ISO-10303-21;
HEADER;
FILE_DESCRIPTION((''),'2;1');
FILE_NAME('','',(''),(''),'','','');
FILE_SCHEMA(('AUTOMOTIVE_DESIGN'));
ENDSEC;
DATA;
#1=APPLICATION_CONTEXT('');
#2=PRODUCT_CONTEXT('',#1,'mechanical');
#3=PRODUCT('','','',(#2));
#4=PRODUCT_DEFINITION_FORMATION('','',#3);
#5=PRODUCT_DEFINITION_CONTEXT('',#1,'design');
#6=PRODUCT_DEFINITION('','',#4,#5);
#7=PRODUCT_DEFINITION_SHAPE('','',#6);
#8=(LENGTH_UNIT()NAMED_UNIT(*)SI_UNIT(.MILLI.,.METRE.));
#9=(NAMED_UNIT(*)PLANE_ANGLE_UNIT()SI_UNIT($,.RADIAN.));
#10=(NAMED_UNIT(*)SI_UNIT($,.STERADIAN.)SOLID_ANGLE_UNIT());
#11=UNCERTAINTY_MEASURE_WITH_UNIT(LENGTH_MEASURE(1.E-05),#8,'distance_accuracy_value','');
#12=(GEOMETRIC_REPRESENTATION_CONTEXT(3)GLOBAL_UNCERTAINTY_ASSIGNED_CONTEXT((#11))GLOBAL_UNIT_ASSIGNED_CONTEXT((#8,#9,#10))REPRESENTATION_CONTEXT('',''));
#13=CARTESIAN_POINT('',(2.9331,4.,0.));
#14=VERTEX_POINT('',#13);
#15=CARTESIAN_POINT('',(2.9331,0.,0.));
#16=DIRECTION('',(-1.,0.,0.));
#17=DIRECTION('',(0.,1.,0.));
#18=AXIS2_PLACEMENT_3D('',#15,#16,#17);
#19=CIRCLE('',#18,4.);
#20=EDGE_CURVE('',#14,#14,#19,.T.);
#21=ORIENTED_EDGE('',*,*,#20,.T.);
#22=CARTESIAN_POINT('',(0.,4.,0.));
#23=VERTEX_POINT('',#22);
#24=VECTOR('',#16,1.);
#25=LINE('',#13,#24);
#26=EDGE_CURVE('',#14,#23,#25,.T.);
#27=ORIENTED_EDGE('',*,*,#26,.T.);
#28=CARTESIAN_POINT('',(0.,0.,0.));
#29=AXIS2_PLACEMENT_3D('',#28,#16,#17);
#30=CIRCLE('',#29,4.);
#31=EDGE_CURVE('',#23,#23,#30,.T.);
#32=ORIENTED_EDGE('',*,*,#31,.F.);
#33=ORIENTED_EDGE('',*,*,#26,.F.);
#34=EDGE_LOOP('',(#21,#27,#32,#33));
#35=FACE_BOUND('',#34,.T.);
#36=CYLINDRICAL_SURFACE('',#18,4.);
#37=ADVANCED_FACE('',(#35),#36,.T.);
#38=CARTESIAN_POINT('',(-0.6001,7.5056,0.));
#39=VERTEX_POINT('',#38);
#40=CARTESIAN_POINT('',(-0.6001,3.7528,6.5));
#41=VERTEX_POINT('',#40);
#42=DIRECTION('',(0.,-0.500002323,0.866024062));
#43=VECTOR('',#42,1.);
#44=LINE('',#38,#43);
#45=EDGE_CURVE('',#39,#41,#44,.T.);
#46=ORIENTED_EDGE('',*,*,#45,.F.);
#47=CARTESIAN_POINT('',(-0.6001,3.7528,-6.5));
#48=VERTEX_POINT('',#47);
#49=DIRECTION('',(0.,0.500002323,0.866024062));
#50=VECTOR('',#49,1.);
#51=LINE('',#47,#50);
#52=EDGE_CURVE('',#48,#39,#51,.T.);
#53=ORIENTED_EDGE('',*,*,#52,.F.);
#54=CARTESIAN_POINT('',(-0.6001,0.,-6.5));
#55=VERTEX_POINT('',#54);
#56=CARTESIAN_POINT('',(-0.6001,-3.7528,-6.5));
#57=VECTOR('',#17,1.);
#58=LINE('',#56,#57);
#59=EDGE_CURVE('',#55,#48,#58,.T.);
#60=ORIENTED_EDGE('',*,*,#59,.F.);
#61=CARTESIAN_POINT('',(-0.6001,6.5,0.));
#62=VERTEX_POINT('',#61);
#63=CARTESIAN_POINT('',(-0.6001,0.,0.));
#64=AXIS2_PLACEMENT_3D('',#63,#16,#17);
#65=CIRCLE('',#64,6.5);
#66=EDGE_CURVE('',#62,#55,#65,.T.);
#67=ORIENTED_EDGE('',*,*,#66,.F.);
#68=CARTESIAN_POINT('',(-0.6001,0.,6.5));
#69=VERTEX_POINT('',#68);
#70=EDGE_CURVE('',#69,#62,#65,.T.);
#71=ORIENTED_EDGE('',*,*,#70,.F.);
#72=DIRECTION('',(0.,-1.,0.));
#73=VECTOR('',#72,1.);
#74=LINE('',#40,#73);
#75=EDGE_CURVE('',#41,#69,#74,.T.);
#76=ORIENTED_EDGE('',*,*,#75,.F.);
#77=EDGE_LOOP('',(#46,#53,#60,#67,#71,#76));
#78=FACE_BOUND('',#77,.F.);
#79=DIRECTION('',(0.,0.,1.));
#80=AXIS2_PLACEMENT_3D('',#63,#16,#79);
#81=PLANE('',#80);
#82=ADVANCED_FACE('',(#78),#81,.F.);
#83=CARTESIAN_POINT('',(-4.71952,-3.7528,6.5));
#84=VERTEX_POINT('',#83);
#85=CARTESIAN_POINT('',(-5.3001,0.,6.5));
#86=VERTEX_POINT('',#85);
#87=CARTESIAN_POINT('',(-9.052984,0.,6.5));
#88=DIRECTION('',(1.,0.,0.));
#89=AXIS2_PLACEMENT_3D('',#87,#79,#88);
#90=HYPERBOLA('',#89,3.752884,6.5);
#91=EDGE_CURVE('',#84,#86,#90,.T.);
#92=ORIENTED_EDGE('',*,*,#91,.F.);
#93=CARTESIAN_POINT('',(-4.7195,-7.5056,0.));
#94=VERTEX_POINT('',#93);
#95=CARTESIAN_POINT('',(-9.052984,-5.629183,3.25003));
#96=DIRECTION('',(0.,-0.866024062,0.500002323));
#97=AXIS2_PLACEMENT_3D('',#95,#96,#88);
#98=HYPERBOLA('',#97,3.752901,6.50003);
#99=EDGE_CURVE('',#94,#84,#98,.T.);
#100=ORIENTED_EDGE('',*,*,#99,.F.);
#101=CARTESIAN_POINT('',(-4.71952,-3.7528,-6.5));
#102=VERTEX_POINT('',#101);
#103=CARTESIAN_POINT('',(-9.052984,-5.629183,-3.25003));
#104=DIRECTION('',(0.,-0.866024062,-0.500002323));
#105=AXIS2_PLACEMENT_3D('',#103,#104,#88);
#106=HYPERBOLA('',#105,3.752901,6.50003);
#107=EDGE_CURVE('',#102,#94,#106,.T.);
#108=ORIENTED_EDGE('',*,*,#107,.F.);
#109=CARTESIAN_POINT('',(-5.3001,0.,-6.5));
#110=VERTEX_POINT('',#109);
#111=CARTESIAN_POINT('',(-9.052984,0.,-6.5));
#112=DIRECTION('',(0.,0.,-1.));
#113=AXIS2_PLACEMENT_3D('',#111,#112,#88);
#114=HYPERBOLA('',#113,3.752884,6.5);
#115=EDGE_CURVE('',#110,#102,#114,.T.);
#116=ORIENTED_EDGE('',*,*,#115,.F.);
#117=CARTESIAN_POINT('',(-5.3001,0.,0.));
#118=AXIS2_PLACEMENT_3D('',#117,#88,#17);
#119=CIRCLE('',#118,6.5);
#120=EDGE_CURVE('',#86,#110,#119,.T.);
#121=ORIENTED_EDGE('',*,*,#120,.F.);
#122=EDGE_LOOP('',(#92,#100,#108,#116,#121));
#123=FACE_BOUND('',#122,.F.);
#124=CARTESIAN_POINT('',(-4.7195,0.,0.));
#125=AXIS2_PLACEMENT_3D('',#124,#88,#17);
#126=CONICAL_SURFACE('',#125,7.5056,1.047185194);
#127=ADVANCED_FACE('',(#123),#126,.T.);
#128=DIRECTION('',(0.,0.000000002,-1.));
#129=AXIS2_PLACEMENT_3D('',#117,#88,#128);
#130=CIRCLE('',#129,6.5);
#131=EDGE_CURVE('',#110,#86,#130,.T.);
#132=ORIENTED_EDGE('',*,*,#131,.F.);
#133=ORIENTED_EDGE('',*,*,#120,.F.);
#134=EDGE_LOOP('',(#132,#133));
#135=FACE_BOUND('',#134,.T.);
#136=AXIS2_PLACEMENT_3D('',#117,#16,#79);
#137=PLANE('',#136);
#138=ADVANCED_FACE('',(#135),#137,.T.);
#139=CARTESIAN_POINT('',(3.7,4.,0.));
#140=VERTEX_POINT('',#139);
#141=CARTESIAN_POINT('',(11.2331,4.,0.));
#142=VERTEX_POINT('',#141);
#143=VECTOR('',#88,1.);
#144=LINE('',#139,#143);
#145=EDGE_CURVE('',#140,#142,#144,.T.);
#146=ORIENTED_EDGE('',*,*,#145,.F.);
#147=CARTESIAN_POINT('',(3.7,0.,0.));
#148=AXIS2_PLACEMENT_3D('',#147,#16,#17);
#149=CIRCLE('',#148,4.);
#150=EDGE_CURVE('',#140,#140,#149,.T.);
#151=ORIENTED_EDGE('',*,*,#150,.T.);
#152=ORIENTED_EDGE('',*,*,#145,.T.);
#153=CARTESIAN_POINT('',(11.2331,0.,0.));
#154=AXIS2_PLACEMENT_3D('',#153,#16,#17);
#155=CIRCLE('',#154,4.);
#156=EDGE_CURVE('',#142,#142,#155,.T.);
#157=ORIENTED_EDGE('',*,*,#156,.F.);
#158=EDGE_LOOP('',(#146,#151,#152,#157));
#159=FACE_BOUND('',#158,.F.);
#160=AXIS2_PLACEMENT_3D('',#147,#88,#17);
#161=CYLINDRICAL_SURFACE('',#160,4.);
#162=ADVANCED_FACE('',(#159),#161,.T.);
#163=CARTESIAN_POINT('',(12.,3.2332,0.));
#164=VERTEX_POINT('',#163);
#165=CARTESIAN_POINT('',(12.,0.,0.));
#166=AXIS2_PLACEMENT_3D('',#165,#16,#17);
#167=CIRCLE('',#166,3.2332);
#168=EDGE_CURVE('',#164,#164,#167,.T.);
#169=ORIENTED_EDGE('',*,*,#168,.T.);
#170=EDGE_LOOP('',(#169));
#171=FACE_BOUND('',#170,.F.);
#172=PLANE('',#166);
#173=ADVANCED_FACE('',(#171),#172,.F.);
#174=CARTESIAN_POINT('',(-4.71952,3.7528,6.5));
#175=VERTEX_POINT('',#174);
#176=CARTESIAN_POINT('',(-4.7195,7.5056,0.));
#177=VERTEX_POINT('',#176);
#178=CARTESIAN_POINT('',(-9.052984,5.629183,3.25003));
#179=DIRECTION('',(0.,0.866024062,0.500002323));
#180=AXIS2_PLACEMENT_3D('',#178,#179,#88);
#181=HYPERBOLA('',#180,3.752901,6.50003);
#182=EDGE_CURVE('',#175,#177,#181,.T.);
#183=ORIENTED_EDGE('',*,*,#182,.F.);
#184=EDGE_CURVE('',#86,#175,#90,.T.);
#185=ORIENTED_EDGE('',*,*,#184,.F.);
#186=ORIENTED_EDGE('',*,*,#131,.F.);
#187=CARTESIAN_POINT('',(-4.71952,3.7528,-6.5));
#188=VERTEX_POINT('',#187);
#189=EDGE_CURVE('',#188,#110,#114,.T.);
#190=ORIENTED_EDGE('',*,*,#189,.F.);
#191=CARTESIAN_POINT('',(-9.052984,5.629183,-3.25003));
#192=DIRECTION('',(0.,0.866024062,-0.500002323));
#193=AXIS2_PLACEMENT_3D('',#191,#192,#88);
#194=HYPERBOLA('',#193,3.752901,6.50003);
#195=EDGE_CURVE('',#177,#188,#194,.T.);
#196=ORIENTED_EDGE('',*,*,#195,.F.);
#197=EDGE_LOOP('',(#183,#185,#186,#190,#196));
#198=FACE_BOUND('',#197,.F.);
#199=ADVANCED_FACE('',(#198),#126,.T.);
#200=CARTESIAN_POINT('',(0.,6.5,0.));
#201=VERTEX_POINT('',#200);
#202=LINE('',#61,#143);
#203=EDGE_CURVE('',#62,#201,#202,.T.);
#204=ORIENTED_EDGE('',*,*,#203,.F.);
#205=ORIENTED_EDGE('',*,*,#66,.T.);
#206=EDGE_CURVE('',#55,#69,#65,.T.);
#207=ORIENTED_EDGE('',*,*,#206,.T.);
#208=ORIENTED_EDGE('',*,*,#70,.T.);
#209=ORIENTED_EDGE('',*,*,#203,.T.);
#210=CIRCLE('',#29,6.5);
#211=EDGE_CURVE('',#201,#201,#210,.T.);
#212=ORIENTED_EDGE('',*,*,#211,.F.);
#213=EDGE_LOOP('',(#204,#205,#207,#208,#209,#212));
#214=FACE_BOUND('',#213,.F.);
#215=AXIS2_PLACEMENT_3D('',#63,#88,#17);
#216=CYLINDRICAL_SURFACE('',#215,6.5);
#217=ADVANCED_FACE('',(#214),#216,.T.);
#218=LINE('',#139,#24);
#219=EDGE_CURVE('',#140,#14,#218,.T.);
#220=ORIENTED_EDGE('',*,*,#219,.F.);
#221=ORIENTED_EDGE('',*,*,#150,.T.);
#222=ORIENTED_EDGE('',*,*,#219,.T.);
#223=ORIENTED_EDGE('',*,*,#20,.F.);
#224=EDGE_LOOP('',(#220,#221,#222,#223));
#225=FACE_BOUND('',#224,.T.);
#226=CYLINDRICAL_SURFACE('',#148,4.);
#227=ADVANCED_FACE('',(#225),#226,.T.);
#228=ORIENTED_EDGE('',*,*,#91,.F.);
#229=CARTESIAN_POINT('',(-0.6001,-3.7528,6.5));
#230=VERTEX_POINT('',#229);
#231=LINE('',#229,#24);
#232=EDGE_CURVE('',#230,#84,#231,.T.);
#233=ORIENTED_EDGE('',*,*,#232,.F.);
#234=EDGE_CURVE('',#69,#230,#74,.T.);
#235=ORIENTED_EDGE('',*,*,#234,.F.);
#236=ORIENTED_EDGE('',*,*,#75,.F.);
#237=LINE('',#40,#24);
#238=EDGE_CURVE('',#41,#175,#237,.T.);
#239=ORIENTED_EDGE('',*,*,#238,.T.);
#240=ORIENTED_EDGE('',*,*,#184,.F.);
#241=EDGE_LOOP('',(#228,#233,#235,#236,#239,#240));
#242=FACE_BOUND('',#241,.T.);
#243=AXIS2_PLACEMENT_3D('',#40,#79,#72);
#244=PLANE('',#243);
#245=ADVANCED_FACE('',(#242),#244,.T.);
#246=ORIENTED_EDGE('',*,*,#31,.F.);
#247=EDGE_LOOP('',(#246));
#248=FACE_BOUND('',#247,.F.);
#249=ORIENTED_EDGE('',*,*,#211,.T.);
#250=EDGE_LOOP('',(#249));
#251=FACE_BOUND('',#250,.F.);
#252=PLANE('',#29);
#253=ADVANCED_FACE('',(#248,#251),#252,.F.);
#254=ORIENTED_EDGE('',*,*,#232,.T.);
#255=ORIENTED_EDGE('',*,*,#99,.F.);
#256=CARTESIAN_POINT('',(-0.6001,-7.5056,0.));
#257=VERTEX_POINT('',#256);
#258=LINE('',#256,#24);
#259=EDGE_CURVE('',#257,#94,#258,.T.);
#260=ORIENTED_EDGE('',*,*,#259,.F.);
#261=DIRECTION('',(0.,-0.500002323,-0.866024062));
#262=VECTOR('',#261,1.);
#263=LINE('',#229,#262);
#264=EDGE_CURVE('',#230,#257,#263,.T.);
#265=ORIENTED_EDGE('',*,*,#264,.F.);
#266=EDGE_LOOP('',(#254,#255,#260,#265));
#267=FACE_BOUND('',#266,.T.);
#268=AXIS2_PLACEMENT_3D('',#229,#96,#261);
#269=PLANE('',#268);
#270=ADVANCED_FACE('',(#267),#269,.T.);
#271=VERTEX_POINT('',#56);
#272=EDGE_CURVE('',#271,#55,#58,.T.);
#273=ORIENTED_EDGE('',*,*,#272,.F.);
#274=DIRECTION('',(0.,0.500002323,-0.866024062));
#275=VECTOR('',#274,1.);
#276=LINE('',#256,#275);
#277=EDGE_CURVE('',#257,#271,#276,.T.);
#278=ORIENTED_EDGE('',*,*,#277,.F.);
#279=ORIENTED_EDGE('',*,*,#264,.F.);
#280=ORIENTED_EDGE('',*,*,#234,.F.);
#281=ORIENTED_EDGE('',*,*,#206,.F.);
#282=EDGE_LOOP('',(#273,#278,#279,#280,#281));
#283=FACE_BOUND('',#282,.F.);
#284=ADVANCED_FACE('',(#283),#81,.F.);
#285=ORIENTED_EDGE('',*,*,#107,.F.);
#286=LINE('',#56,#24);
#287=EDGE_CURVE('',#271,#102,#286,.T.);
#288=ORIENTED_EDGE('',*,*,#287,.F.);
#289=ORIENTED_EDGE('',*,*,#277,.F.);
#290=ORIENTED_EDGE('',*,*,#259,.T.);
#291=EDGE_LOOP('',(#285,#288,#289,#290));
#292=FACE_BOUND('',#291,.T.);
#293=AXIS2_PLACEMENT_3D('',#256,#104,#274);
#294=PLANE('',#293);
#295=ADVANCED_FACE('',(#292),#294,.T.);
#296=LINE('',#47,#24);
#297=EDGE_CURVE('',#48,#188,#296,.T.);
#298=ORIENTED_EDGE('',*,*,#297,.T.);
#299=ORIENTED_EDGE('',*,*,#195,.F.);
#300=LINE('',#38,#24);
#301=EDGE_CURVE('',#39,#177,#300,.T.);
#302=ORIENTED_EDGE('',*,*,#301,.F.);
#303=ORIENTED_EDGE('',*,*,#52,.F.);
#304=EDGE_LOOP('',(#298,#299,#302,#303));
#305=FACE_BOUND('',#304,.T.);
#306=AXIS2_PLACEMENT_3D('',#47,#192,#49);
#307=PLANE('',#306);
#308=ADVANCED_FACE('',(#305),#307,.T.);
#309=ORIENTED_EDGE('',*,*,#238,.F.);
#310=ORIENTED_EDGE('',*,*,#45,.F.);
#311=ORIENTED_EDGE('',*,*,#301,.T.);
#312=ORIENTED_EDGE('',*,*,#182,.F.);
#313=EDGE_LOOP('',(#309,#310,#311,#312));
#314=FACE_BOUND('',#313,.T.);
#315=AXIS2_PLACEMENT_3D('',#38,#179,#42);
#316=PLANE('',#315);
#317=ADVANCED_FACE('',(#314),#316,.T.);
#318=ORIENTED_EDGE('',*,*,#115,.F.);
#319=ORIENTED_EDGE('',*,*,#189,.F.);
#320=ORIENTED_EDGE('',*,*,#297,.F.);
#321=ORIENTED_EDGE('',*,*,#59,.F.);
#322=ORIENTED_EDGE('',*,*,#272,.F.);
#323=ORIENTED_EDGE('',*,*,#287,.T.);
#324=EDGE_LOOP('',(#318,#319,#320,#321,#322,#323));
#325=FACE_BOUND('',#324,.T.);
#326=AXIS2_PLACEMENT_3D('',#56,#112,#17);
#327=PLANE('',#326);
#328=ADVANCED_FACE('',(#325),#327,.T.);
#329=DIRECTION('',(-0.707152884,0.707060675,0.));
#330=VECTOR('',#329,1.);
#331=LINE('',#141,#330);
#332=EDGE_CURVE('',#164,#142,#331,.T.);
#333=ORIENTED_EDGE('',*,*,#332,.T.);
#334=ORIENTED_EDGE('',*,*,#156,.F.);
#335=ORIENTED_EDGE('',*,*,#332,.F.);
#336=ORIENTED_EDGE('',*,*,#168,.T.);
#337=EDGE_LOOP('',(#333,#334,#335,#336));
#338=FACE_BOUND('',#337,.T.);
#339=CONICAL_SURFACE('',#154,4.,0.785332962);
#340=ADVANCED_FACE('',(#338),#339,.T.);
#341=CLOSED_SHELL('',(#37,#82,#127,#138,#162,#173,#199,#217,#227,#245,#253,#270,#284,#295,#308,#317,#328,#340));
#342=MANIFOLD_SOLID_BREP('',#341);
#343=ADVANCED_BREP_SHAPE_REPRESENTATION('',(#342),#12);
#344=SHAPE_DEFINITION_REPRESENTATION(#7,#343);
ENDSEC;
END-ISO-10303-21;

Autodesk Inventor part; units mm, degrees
ref_plane "YZ Plane" through (0, 0, 0) normal (1, 0, 0) x (0, 1, 0)
ref_plane "XZ Plane" through (0, 0, 0) normal (0, 1, 0) x (-1, 0, 0)
sketch "Sketch1" plane through (0, 0, 0) normal (0, 0, 1) x (1, 0, 0)
  line L0 (0, 6.5) -> (0, 4)
  line L1 (3.7, 4) -> (12, 4)
  line L2 (12, 4) -> (12, 0)
  line L3 (12, 0) -> (-0.6001, 0)
  line L4 (-3.1201, 0) -> (14.52, 0) projected
  line L5 (-0.6001, 0) -> (-0.6001, 6.5)
  line L6 (-0.6001, 6.5) -> (0, 6.5)
  line L7 (3.7, 4) -> (2.9331, 4)
  line L8 (2.9331, 4) -> (0, 4)
  line L9 (0, -1.3) -> (0, 7.8) projected
  dimension "d0" = 12
  dimension "d1" = 8.3
  dimension "d2" = 8
  dimension "d9" = 0.6001
  dimension "d10" = 13
  dimension "d13" = 0.7669
  dimension "d14" = 8
revolve "Body" add sketch "Sketch1" angle 360 about axis through (12, 0, 0) along (-1, 0, 0)
sketch "Sketch2" plane through (-0.6001, 0, 0) normal (-1, 0, 0) x (0, 0, 1)
  line L0 (0, 7.5056) -> (6.5, 3.7528)
  line L1 (6.5, 3.7528) -> (6.5, -3.7528)
  line L2 (6.5, -3.7528) -> (0, -7.5056)
  line L3 (0, -7.5056) -> (-6.5, -3.7528)
  line L4 (-6.5, -3.7528) -> (-6.5, 3.7528)
  line L5 (-6.5, 3.7528) -> (0, 7.5056)
  point P0 (0, 0)
  point P1 (0, 0)
  dimension "d11" = 13
extrude "Head" add sketch "Sketch2" along normal blind 4.7
sketch "Sketch4" plane through (0, 0, 0) normal (0, 0, 1) x (1, 0, 0)
  line L0 (-5.3001, 6.5) -> (-5.3001, 7.5056)
  line L1 (-5.3001, 7.5056) -> (-4.7195, 7.5056)
  line L2 (-4.7195, 7.5056) -> (-5.3001, 6.5)
  line L3 (-6.2401, 0) -> (0.3399, 0) projected
  line L4 (-0.6001, 7.5056) -> (-5.3001, 7.5056) projected
  line L5 (-5.3001, 3.7528) -> (-5.3001, 7.5056) projected
  dimension "d5" = 30
  dimension "d19" = 13
revolve "Chamfer1" cut sketch "Sketch4" angle 360 about axis through (-10, 0, 0) along (1, 0, 0)
thread "Thread" size "M8x1.25" class "6g" standard "ISO Metric profile" length 8.3
chamfer "Chamfer2" distance 0.7668 distance2 0.7669 1 edges at (12, -4, 0) measured on face at (12, -0.0467, -2.2623)
ref_plane "Work Plane1" through (1.525, 0, 0) normal (0, 0, 1) x (1, 0, 0)
equation "\"d0\" = NLG"
equation "\"d1\" = GEL"
equation "\"d2\" = GD"
equation "\"d10\" = SD2"
equation "\"d14\" = BDM"
equation "\"d11\" = SW"
equation "\"d3\" = KOH - SD"
equation "\"d5\" = ANG1"
equation "\"d19\" = SW0"
equation "\"d15\" = GEL"
equation "\"d6\" = -0.5 * SPD + 0.5 * GD"
equation "\"NLG\" = 12"
equation "\"GD\" = NND"
equation "\"BDM\" = NND"
equation "\"KOH\" = 5.3"
equation "\"GEL\" = 8.3"
equation "\"SW\" = 13"
equation "\"SW0\" = SW"
equation "\"SPD\" = NND - 1.2269 * PTC"
equation "\"SD2\" = SW"
equation "\"SD\" = 0.6"
equation "\"ANG1\" = 30deg"
equation "\"GAL\" = 0.61345 * PTC"
equation "\"GUL\" = 0.61345 * PTC"
equation "\"RR\" = 0.4"
equation "\"WFT\" = SD"
equation "\"GD1\" = THREADDIA - 1.2269 * PTC"
equation "\"THREADDIA\" = 8"
equation "\"SDH\" = SW"
equation "\"TOA\" = 30deg"
equation "\"FAWI\" = 45deg"
equation "\"PTC\" = 1.25"
equation "\"NND\" = 8"
equation "\"E0\" = 1.155 * SW"
properties part number "AS 1110 - M8 x 12" material "Steel, Mild"
